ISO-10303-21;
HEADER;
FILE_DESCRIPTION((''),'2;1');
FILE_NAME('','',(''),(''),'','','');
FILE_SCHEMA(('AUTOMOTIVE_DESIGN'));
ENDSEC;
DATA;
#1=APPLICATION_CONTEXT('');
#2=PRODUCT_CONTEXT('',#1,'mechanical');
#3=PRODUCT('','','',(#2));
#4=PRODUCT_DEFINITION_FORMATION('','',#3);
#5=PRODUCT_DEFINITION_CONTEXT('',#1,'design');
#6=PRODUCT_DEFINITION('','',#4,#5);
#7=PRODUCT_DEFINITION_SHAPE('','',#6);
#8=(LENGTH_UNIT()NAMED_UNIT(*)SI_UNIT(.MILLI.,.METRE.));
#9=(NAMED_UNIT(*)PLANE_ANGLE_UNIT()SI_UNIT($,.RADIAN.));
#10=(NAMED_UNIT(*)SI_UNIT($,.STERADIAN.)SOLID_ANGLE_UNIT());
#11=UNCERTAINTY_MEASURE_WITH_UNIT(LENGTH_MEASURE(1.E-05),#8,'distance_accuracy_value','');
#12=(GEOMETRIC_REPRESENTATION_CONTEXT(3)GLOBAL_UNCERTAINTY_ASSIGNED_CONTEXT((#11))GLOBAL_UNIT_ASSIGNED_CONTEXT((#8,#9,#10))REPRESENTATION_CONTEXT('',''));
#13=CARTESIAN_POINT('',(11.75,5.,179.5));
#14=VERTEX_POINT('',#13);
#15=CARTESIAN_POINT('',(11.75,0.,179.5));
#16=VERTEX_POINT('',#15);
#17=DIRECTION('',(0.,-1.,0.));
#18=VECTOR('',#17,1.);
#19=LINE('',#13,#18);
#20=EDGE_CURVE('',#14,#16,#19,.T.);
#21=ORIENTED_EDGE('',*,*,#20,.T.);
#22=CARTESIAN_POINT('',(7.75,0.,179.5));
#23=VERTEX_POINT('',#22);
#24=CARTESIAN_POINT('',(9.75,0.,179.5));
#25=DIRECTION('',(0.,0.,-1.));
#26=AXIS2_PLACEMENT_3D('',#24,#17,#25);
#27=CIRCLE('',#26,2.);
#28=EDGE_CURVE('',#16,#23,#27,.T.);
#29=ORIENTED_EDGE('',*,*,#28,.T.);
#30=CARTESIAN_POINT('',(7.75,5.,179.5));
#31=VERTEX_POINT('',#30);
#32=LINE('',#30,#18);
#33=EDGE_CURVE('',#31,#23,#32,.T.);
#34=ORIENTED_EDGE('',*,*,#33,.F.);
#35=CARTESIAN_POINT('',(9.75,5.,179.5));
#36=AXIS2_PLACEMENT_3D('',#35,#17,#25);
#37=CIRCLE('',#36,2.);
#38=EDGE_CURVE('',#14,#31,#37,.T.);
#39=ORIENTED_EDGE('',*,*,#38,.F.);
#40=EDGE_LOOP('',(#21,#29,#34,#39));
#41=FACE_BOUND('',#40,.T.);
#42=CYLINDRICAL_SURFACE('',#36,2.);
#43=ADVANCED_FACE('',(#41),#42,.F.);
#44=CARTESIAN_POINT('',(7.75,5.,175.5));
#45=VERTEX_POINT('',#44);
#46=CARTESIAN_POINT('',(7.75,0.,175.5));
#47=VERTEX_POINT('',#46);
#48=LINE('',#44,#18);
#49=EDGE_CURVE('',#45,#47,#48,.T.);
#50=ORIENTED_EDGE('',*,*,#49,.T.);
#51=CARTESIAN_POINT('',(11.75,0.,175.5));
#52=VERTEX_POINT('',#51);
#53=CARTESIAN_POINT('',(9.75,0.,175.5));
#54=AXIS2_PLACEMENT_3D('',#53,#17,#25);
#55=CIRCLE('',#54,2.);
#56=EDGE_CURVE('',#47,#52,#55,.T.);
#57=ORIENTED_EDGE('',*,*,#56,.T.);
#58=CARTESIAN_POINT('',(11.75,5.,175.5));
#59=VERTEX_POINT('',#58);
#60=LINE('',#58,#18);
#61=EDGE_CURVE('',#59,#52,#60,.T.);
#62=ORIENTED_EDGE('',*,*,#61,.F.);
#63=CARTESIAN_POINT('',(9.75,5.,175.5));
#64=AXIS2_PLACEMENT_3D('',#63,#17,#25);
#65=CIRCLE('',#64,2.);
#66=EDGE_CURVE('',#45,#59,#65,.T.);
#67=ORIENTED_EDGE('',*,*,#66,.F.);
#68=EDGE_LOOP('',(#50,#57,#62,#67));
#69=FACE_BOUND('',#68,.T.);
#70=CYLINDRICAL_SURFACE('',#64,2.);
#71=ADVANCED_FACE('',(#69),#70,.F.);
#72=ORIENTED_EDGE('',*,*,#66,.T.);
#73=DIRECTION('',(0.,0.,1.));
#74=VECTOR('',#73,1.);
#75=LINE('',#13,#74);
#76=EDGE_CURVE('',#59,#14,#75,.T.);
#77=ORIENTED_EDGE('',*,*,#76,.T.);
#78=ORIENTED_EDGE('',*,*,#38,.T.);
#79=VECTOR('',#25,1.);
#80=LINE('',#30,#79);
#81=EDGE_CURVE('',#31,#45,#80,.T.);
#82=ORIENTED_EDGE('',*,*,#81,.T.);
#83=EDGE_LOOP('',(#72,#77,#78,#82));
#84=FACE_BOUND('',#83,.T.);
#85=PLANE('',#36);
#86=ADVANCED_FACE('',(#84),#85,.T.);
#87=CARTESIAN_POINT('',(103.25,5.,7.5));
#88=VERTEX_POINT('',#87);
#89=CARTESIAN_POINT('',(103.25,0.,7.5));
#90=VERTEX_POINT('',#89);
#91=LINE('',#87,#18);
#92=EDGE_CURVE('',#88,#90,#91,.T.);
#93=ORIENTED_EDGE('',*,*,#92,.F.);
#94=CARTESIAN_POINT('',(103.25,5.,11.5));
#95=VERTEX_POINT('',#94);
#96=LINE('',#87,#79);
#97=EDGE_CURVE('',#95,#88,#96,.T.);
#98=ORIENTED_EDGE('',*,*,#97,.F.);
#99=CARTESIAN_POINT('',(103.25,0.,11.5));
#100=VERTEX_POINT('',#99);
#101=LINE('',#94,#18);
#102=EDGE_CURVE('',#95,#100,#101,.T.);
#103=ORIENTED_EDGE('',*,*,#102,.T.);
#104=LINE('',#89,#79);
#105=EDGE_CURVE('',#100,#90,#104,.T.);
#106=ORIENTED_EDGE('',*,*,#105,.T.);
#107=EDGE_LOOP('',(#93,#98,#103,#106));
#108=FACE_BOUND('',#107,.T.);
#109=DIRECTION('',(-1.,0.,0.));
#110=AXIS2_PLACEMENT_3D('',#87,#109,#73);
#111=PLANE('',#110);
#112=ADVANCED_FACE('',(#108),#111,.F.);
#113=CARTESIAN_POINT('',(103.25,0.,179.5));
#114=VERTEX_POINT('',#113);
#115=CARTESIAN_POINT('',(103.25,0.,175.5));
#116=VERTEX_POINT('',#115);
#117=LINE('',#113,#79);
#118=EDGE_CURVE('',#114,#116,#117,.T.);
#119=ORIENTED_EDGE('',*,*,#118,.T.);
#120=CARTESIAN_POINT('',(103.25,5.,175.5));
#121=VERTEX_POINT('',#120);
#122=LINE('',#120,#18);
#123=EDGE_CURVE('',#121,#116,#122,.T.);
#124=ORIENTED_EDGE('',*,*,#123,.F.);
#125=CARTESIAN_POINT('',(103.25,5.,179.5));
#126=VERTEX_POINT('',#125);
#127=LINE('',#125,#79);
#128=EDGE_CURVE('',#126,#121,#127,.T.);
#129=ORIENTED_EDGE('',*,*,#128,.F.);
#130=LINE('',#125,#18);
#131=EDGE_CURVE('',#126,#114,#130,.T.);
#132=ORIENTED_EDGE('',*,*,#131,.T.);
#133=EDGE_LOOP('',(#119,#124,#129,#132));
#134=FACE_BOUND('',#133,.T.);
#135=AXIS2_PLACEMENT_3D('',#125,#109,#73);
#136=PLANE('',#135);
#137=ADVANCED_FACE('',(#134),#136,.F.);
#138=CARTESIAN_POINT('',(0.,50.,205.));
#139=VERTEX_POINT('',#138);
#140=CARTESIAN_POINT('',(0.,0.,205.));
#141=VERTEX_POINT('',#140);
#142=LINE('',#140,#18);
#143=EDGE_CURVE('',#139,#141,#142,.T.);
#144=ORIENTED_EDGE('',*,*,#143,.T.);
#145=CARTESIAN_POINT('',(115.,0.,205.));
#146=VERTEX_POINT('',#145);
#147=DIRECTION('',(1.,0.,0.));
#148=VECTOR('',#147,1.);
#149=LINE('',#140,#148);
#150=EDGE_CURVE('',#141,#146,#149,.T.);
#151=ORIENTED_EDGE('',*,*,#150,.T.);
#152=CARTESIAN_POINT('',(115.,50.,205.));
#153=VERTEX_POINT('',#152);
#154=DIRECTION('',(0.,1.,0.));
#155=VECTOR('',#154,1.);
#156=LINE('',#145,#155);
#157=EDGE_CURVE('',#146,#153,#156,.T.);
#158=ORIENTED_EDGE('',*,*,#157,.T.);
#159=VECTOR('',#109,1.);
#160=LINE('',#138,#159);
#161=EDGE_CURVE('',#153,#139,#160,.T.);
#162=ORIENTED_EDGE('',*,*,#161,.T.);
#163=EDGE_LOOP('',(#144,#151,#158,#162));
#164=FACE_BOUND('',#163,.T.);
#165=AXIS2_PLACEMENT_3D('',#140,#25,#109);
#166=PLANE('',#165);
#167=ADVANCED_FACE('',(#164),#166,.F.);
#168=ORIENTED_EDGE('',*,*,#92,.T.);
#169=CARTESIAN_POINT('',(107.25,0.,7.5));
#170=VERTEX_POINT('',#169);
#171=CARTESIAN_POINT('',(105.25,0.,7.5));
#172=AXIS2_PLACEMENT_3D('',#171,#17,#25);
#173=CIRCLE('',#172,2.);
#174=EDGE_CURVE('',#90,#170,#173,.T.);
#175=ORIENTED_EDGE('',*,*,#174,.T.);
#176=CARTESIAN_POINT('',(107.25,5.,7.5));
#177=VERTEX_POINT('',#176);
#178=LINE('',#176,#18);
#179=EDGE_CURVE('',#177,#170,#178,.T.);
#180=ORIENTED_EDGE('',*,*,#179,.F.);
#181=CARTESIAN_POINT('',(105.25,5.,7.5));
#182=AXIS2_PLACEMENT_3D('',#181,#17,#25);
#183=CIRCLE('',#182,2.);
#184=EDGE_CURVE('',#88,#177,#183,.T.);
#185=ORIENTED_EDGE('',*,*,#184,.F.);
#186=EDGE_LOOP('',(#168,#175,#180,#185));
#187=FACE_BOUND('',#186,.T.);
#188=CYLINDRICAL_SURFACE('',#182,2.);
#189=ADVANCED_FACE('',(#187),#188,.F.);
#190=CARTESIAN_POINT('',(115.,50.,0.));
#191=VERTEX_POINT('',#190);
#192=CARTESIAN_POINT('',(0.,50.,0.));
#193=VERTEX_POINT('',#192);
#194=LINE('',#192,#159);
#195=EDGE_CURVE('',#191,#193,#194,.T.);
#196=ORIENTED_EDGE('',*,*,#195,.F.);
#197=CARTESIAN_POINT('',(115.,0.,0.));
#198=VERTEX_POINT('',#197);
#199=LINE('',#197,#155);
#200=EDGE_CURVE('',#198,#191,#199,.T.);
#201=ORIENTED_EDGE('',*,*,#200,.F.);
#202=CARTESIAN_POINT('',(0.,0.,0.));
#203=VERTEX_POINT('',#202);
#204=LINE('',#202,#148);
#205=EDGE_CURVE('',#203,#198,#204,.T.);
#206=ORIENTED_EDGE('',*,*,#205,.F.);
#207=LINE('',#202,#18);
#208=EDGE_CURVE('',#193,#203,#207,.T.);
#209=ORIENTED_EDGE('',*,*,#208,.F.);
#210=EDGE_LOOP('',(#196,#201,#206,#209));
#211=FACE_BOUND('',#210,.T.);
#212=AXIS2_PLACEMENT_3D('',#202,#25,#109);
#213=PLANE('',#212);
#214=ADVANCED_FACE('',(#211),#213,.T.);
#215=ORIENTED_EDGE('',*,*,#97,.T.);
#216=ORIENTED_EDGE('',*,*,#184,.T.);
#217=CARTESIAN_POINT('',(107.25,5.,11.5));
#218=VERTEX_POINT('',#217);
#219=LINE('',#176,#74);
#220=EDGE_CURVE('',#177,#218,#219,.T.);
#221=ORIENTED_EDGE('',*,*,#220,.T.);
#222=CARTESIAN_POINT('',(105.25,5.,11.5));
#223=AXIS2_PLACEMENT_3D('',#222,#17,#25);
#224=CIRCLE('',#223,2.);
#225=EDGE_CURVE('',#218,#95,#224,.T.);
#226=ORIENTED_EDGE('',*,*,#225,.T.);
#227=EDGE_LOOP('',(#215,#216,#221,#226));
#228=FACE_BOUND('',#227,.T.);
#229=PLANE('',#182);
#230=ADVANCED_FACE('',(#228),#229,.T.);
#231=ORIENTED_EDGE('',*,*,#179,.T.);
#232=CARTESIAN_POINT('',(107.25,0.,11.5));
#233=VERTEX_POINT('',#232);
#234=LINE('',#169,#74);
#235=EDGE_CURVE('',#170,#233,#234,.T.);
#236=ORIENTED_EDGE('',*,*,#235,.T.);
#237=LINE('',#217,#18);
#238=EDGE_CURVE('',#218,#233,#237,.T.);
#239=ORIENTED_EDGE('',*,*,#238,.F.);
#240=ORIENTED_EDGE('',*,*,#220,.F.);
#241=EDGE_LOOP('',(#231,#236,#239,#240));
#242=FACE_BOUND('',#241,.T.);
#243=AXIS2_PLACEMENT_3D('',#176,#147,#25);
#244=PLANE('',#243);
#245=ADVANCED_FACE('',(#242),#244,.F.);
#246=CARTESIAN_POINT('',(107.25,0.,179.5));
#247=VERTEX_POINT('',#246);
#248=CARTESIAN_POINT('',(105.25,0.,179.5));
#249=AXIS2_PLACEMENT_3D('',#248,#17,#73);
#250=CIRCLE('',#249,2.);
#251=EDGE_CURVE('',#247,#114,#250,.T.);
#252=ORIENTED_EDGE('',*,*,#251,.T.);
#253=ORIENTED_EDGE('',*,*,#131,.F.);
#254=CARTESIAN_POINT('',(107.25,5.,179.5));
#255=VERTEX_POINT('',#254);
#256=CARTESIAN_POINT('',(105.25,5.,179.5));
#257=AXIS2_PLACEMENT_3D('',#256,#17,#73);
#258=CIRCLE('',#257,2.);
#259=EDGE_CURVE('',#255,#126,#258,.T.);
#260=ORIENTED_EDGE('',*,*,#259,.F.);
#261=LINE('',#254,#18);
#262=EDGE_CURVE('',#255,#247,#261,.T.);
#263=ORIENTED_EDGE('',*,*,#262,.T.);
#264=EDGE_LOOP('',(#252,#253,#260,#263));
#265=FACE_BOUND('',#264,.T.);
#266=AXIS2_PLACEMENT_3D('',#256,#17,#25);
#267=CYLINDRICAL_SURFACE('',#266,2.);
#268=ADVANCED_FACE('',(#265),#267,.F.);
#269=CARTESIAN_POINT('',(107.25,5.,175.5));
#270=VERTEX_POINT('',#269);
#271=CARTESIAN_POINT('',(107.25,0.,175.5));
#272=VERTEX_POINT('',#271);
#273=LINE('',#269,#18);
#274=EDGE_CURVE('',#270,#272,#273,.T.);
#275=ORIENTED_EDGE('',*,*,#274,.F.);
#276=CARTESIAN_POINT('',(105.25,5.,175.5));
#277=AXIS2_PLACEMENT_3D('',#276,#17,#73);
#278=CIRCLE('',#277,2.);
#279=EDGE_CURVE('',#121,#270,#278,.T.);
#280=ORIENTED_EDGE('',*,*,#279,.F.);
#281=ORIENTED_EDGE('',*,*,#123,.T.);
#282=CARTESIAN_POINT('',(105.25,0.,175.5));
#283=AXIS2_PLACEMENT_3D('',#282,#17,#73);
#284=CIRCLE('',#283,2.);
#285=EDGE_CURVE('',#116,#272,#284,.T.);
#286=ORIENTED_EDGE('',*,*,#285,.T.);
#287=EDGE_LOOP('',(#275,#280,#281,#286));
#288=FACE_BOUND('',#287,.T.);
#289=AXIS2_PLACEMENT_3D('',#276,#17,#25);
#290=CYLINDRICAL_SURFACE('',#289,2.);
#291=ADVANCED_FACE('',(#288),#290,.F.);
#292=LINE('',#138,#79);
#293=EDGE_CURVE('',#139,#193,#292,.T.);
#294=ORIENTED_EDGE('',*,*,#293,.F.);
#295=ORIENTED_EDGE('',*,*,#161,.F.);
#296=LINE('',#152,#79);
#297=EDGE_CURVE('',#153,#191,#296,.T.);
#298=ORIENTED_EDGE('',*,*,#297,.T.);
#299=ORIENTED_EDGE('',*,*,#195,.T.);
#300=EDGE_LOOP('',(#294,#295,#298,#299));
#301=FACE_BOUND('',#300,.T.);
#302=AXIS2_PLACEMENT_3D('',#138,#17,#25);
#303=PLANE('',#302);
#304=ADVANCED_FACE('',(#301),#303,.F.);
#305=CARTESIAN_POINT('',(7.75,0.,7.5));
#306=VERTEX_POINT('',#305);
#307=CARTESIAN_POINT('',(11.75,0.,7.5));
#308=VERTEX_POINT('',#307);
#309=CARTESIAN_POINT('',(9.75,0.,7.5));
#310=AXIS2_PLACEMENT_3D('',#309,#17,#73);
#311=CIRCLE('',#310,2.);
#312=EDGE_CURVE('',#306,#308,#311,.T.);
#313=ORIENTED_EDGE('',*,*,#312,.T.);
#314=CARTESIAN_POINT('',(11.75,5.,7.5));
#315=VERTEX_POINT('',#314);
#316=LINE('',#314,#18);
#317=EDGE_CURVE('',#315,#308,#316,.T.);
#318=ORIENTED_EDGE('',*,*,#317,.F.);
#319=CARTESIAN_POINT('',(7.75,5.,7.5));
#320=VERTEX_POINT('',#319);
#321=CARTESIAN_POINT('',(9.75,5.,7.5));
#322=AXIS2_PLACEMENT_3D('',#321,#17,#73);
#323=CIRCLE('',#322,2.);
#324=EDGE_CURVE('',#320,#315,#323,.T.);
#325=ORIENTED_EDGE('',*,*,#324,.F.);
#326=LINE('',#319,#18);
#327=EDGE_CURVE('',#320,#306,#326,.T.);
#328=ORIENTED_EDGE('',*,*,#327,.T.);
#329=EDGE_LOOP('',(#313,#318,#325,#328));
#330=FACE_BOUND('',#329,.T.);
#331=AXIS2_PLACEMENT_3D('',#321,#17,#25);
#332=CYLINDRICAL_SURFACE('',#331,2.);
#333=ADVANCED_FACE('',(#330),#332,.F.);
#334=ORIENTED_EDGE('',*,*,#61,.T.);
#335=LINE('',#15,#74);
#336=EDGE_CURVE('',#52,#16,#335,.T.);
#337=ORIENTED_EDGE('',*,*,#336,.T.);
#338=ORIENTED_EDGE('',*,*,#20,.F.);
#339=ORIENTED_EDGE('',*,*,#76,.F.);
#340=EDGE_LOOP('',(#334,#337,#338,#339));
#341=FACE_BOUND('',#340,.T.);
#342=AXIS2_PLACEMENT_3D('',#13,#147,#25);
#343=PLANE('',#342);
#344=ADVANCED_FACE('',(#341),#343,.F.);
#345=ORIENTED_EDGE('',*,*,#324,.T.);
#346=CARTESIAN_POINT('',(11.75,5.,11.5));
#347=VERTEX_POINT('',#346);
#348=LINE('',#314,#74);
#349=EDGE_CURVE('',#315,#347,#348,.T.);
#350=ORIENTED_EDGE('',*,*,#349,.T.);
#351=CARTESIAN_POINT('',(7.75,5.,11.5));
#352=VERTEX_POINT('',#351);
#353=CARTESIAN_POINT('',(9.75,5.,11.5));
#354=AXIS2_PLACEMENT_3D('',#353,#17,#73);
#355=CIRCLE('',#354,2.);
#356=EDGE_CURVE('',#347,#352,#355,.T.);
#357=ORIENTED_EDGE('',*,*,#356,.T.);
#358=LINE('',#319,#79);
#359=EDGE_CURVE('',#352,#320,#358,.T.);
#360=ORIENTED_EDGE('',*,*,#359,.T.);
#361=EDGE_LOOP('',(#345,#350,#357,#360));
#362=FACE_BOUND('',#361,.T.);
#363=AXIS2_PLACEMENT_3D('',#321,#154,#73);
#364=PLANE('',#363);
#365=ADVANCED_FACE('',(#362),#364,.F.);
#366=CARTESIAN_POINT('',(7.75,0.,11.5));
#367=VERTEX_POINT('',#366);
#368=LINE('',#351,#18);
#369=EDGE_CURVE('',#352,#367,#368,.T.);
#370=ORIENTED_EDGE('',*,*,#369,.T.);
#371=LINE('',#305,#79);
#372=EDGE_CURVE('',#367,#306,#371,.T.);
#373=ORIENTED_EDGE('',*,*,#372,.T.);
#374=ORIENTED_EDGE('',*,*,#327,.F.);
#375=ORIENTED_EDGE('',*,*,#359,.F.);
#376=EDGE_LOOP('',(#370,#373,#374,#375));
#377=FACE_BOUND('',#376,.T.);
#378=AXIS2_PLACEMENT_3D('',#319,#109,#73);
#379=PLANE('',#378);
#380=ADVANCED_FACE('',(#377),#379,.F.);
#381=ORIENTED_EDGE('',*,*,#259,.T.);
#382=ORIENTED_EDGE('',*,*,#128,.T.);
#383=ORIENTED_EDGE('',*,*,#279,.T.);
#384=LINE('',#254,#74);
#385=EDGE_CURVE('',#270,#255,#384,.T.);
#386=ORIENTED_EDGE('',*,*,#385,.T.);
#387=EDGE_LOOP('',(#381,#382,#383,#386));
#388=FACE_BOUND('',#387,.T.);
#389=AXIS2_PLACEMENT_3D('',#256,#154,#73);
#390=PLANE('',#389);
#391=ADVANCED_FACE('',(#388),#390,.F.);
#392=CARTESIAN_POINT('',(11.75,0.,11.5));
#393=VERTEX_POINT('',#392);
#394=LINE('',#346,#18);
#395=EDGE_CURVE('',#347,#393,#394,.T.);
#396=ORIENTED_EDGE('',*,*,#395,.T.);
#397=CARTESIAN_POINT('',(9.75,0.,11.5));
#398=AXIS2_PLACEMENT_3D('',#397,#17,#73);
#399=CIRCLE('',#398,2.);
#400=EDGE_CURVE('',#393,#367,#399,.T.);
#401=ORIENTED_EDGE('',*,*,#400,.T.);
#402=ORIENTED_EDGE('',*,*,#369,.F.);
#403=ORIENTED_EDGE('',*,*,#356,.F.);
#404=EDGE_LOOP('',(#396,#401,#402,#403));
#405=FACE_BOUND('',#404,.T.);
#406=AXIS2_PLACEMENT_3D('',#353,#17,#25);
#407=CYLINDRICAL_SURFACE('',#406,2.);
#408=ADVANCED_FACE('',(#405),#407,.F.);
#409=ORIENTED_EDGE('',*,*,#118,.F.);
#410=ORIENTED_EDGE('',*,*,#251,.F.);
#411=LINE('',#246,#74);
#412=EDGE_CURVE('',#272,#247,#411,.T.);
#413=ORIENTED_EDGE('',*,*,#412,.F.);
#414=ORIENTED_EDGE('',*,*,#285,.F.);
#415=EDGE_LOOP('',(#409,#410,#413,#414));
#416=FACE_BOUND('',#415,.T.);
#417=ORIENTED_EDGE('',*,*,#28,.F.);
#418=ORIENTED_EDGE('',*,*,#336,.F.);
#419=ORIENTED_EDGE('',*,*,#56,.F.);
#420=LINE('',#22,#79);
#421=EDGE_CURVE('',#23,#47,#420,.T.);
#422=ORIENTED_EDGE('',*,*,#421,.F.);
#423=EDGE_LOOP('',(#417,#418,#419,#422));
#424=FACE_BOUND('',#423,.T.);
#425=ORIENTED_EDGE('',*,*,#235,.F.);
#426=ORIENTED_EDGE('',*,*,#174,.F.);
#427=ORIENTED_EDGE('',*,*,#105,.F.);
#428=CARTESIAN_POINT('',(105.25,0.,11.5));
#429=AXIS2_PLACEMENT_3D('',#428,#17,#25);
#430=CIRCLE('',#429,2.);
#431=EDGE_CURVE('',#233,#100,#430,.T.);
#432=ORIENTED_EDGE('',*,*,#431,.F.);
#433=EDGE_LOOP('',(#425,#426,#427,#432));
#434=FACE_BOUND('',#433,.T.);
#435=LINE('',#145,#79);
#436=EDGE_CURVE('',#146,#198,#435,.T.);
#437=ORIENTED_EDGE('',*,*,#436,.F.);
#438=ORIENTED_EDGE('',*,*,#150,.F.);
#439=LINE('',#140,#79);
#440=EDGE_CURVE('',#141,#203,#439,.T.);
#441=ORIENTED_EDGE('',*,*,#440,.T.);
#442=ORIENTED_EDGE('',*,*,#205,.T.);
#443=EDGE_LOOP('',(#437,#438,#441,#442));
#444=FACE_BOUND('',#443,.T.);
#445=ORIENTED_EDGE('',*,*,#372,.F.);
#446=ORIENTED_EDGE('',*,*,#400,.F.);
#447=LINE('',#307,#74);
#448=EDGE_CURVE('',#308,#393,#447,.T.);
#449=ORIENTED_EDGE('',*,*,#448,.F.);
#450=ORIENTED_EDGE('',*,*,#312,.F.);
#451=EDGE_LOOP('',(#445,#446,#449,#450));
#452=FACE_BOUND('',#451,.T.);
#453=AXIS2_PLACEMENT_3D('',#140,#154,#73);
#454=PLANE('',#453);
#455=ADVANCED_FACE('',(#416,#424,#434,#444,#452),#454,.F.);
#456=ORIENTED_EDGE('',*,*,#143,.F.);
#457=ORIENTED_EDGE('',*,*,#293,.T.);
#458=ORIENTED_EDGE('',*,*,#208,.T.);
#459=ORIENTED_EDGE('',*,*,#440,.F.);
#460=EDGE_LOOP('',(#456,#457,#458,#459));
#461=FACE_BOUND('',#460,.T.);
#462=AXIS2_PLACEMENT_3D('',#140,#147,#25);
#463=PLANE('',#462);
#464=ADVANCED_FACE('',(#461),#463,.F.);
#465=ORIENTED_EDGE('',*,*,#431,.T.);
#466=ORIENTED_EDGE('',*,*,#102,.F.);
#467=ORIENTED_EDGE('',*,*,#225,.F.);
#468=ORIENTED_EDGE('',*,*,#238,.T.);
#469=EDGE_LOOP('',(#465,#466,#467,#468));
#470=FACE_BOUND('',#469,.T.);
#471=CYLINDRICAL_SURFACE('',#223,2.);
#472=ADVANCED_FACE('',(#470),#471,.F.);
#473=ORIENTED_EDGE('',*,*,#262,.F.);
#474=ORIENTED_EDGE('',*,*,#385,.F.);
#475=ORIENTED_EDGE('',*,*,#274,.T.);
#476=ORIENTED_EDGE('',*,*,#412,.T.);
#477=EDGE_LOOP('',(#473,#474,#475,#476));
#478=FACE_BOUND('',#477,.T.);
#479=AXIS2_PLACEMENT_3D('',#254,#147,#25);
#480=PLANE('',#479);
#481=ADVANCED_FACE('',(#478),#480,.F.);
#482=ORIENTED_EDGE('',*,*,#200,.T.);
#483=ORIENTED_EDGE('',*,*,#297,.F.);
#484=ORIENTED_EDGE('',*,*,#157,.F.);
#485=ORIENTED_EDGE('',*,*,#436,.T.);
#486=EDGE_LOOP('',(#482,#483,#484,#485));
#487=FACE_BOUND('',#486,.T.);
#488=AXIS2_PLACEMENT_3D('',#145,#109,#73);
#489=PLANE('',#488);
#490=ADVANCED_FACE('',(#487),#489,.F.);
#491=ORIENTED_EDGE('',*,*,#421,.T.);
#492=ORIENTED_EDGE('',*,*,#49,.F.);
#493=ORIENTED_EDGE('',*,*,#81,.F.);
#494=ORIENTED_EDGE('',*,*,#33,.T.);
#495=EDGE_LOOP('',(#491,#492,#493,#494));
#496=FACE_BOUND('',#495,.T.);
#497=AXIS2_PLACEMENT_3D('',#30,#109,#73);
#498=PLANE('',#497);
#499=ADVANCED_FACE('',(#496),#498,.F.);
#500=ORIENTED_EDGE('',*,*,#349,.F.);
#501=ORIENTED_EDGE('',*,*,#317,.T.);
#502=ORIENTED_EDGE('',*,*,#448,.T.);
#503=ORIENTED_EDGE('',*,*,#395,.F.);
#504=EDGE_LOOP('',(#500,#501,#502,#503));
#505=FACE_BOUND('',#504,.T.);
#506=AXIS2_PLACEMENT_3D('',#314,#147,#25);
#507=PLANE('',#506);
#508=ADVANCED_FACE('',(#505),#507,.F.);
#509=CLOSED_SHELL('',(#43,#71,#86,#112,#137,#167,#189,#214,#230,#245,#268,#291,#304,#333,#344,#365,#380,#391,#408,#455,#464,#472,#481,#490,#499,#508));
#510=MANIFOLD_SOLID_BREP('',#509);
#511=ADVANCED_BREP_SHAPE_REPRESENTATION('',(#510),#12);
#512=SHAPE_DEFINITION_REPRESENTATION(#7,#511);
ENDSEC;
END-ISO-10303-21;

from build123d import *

# Parameters (mm, degrees)
SKETCH1_W           = 115
SKETCH1_H           = 50
BOSS_EXTRUDE1_DEPTH = 205
CUT_EXTRUDE1_DEPTH  = 5


with BuildPart() as part:
    # Sketch1 → Boss-Extrude1 (new body)
    with BuildSketch(Plane.XY):
        with Locations((57.5, 25)):
            Rectangle(SKETCH1_W, SKETCH1_H)
    extrude(amount=BOSS_EXTRUDE1_DEPTH)

    # Sketch2 → Cut-Extrude1 (cut)
    with BuildSketch(Plane.XZ):
        with BuildLine():
            Line((11.75, 179.5), (11.75, 175.5))
            ThreePointArc((11.75, 175.5), (9.75, 173.5), (7.75, 175.5))
            Line((7.75, 175.5), (7.75, 179.5))
            ThreePointArc((7.75, 179.5), (9.75, 181.5), (11.75, 179.5))
        make_face()
        with BuildLine():
            Line((103.25, 179.5), (103.25, 175.5))
            ThreePointArc((103.25, 175.5), (105.25, 173.5), (107.25, 175.5))
            Line((107.25, 175.5), (107.25, 179.5))
            ThreePointArc((107.25, 179.5), (105.25, 181.5), (103.25, 179.5))
        make_face()
        with BuildLine():
            Line((11.75, 7.5), (11.75, 11.5))
            ThreePointArc((11.75, 11.5), (9.75, 13.5), (7.75, 11.5))
            Line((7.75, 11.5), (7.75, 7.5))
            ThreePointArc((7.75, 7.5), (9.75, 5.5), (11.75, 7.5))
        make_face()
        with BuildLine():
            Line((103.25, 7.5), (103.25, 11.5))
            ThreePointArc((103.25, 11.5), (105.25, 13.5), (107.25, 11.5))
            Line((107.25, 11.5), (107.25, 7.5))
            ThreePointArc((107.25, 7.5), (105.25, 5.5), (103.25, 7.5))
        make_face()
    extrude(amount=-CUT_EXTRUDE1_DEPTH, mode=Mode.SUBTRACT)


solid = part.part
